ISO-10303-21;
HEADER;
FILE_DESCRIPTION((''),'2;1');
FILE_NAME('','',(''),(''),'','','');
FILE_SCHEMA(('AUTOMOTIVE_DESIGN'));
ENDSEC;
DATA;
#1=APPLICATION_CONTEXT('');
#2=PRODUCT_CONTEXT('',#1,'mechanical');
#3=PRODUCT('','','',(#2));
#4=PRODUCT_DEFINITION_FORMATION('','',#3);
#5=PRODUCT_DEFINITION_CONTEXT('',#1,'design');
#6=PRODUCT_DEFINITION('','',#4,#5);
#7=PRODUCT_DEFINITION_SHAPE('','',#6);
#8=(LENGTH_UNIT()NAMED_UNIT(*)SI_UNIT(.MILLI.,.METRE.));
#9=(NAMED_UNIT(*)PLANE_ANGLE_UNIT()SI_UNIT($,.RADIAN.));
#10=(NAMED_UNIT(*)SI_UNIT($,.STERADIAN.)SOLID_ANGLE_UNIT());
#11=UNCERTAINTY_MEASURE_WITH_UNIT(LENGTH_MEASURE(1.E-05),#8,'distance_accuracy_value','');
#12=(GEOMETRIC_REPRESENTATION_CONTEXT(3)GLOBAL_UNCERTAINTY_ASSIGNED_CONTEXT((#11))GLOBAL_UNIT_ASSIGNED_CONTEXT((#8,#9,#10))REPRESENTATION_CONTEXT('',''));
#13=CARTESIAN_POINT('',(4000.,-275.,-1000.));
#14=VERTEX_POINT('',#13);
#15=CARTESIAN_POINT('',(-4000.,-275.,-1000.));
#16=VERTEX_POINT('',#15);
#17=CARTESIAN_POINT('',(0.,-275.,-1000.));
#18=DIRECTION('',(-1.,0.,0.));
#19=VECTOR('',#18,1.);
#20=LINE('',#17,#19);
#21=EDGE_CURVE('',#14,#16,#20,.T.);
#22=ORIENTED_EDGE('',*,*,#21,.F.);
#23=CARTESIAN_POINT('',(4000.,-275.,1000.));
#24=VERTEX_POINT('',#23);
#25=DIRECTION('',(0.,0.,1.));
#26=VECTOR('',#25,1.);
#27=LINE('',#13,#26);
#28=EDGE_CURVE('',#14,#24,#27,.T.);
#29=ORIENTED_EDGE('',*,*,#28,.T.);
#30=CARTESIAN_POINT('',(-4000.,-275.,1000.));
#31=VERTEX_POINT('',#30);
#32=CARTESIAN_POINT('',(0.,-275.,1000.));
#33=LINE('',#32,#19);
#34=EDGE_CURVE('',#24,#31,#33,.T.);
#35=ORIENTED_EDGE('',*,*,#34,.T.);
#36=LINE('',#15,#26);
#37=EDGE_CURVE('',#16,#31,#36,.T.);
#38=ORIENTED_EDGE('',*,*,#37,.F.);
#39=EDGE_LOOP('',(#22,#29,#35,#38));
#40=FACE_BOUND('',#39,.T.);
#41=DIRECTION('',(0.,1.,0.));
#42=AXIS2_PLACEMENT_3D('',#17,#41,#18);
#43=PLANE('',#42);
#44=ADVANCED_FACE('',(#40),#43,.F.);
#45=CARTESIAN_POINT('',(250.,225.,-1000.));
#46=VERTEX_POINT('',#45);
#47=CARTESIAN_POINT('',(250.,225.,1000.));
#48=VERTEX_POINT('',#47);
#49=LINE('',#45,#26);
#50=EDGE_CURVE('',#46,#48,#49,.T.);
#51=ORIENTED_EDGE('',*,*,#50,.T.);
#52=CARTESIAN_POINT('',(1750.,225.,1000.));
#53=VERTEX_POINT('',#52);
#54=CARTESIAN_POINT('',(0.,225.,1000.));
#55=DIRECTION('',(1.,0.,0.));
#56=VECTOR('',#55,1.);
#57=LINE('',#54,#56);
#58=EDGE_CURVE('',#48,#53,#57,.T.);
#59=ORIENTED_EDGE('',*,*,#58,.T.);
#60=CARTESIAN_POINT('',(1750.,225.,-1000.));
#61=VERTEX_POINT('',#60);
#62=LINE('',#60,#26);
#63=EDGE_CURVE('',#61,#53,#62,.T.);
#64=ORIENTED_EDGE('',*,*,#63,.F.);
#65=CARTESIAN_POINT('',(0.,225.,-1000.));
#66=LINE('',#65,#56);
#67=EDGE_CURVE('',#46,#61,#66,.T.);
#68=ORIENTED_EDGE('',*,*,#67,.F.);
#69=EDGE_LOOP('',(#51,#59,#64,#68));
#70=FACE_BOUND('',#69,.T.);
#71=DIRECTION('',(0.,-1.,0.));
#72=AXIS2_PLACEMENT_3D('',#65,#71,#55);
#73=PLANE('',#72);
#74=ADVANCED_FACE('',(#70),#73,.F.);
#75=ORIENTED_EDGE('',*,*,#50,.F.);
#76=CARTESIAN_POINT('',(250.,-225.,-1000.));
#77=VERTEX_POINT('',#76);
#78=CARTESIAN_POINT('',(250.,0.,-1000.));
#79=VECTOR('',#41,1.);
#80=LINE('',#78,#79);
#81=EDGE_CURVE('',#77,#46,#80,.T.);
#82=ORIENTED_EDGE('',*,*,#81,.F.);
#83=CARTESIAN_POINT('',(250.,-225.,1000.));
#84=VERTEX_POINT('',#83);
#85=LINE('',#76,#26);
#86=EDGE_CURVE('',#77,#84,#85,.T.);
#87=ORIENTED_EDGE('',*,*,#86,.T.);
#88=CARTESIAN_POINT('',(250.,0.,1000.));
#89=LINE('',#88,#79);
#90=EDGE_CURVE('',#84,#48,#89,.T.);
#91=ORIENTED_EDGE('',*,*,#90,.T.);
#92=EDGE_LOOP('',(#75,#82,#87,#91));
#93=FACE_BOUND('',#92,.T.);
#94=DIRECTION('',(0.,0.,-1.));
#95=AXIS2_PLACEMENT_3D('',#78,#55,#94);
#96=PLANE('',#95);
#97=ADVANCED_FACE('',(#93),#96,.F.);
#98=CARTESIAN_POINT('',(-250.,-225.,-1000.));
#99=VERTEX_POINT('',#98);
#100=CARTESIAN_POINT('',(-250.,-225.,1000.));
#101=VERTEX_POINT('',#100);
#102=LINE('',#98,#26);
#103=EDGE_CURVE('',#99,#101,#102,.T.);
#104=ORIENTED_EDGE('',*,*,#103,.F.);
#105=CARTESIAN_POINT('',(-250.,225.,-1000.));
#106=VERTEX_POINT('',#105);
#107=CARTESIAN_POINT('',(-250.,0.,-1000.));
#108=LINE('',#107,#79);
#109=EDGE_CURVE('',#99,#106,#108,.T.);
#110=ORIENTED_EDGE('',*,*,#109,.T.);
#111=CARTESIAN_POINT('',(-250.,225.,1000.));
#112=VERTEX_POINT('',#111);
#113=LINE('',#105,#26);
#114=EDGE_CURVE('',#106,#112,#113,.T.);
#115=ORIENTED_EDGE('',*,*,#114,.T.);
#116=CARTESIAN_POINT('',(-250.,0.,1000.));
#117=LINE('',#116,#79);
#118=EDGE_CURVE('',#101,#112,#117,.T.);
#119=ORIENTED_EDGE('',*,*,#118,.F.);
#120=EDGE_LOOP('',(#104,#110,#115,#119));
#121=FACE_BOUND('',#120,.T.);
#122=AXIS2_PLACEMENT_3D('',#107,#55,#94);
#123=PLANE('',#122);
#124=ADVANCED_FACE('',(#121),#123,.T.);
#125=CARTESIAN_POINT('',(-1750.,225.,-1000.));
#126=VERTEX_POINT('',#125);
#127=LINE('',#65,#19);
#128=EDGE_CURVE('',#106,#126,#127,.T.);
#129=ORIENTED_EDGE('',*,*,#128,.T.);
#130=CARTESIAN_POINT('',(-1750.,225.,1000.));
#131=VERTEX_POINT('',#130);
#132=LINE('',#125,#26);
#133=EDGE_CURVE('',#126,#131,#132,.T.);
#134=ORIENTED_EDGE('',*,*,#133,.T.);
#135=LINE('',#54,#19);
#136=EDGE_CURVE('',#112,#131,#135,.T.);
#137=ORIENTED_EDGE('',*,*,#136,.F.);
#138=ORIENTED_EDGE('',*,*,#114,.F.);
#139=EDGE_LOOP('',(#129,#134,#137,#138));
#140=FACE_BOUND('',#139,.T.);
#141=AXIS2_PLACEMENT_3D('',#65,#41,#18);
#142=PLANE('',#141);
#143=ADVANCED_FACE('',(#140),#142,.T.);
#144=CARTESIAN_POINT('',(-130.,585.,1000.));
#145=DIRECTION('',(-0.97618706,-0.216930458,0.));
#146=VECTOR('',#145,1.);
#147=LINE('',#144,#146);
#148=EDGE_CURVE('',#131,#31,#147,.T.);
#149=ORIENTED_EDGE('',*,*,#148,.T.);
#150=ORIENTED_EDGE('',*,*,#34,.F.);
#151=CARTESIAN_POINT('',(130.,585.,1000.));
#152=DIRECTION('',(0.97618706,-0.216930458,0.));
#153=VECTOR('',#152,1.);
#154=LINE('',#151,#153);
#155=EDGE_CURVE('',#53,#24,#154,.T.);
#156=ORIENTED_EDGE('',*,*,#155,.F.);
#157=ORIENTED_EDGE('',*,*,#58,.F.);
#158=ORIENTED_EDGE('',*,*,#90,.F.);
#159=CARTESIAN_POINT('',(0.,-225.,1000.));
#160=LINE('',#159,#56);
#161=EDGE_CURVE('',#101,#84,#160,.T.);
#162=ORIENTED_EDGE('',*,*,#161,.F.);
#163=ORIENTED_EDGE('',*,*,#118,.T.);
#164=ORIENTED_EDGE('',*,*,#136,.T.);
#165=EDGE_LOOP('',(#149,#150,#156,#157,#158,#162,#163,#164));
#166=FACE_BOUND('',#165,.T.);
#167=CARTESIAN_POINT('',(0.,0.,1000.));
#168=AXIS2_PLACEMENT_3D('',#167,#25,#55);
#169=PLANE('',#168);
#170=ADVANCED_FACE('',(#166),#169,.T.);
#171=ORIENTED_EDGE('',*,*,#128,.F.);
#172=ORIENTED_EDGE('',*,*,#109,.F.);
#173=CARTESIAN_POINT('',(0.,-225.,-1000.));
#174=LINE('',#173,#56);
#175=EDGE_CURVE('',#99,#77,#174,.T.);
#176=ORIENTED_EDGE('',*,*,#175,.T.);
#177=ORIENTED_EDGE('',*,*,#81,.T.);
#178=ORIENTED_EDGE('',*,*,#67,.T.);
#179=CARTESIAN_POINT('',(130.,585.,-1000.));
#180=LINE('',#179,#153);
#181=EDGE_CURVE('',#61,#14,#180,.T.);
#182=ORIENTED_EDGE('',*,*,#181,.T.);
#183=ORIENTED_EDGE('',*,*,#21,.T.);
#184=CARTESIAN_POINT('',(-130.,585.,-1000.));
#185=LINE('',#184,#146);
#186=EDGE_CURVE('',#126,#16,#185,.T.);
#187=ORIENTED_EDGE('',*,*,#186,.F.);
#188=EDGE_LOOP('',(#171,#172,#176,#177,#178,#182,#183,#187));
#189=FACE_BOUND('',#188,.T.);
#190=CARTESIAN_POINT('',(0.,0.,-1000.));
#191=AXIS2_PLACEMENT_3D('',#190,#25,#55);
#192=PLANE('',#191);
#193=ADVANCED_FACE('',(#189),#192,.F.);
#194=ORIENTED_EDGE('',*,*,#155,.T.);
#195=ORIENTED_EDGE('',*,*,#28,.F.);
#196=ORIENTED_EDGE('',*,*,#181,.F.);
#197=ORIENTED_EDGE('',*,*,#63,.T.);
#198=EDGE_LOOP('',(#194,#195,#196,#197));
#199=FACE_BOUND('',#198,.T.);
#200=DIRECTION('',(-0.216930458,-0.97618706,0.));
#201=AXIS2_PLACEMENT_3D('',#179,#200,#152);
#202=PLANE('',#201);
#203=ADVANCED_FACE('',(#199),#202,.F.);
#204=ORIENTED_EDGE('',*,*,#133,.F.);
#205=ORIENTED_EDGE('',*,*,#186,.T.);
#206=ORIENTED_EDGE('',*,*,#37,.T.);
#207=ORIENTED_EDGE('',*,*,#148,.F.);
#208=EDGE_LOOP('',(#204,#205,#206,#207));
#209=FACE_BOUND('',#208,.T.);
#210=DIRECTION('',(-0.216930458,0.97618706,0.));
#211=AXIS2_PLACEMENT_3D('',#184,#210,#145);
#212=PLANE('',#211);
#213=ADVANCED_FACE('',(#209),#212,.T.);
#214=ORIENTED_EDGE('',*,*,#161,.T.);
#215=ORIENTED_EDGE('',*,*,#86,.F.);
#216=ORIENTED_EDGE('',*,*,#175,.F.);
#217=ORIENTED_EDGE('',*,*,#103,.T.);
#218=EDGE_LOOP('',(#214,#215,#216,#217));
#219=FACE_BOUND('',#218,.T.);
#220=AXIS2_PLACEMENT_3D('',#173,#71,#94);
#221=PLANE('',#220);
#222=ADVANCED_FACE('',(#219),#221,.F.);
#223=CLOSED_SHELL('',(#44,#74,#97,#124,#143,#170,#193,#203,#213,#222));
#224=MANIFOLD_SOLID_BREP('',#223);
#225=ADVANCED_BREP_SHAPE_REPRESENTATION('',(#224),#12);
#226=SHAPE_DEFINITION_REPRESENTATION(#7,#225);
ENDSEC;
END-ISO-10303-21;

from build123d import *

# Parameters (mm, degrees)
BOSS_EXTRUDE1_DEPTH      = 1000
BOSS_EXTRUDE1_DEPTH_BACK = 1000


with BuildPart() as part:
    # Sketch2 → Boss-Extrude1 (new, two sides: drawn at the far end of the back side and taken through both)
    with BuildSketch(Plane.XY.offset(-BOSS_EXTRUDE1_DEPTH_BACK)):
        Polygon((-4000, -275), (-1750, -275), (-250, -275), (250, -275), (1750, -275), (4000, -275), (1750, 225), (250, 225), (250, -225), (-250, -225), (-250, 225), (-1750, 225), align=None)
    extrude(amount=BOSS_EXTRUDE1_DEPTH + BOSS_EXTRUDE1_DEPTH_BACK)


solid = part.part
